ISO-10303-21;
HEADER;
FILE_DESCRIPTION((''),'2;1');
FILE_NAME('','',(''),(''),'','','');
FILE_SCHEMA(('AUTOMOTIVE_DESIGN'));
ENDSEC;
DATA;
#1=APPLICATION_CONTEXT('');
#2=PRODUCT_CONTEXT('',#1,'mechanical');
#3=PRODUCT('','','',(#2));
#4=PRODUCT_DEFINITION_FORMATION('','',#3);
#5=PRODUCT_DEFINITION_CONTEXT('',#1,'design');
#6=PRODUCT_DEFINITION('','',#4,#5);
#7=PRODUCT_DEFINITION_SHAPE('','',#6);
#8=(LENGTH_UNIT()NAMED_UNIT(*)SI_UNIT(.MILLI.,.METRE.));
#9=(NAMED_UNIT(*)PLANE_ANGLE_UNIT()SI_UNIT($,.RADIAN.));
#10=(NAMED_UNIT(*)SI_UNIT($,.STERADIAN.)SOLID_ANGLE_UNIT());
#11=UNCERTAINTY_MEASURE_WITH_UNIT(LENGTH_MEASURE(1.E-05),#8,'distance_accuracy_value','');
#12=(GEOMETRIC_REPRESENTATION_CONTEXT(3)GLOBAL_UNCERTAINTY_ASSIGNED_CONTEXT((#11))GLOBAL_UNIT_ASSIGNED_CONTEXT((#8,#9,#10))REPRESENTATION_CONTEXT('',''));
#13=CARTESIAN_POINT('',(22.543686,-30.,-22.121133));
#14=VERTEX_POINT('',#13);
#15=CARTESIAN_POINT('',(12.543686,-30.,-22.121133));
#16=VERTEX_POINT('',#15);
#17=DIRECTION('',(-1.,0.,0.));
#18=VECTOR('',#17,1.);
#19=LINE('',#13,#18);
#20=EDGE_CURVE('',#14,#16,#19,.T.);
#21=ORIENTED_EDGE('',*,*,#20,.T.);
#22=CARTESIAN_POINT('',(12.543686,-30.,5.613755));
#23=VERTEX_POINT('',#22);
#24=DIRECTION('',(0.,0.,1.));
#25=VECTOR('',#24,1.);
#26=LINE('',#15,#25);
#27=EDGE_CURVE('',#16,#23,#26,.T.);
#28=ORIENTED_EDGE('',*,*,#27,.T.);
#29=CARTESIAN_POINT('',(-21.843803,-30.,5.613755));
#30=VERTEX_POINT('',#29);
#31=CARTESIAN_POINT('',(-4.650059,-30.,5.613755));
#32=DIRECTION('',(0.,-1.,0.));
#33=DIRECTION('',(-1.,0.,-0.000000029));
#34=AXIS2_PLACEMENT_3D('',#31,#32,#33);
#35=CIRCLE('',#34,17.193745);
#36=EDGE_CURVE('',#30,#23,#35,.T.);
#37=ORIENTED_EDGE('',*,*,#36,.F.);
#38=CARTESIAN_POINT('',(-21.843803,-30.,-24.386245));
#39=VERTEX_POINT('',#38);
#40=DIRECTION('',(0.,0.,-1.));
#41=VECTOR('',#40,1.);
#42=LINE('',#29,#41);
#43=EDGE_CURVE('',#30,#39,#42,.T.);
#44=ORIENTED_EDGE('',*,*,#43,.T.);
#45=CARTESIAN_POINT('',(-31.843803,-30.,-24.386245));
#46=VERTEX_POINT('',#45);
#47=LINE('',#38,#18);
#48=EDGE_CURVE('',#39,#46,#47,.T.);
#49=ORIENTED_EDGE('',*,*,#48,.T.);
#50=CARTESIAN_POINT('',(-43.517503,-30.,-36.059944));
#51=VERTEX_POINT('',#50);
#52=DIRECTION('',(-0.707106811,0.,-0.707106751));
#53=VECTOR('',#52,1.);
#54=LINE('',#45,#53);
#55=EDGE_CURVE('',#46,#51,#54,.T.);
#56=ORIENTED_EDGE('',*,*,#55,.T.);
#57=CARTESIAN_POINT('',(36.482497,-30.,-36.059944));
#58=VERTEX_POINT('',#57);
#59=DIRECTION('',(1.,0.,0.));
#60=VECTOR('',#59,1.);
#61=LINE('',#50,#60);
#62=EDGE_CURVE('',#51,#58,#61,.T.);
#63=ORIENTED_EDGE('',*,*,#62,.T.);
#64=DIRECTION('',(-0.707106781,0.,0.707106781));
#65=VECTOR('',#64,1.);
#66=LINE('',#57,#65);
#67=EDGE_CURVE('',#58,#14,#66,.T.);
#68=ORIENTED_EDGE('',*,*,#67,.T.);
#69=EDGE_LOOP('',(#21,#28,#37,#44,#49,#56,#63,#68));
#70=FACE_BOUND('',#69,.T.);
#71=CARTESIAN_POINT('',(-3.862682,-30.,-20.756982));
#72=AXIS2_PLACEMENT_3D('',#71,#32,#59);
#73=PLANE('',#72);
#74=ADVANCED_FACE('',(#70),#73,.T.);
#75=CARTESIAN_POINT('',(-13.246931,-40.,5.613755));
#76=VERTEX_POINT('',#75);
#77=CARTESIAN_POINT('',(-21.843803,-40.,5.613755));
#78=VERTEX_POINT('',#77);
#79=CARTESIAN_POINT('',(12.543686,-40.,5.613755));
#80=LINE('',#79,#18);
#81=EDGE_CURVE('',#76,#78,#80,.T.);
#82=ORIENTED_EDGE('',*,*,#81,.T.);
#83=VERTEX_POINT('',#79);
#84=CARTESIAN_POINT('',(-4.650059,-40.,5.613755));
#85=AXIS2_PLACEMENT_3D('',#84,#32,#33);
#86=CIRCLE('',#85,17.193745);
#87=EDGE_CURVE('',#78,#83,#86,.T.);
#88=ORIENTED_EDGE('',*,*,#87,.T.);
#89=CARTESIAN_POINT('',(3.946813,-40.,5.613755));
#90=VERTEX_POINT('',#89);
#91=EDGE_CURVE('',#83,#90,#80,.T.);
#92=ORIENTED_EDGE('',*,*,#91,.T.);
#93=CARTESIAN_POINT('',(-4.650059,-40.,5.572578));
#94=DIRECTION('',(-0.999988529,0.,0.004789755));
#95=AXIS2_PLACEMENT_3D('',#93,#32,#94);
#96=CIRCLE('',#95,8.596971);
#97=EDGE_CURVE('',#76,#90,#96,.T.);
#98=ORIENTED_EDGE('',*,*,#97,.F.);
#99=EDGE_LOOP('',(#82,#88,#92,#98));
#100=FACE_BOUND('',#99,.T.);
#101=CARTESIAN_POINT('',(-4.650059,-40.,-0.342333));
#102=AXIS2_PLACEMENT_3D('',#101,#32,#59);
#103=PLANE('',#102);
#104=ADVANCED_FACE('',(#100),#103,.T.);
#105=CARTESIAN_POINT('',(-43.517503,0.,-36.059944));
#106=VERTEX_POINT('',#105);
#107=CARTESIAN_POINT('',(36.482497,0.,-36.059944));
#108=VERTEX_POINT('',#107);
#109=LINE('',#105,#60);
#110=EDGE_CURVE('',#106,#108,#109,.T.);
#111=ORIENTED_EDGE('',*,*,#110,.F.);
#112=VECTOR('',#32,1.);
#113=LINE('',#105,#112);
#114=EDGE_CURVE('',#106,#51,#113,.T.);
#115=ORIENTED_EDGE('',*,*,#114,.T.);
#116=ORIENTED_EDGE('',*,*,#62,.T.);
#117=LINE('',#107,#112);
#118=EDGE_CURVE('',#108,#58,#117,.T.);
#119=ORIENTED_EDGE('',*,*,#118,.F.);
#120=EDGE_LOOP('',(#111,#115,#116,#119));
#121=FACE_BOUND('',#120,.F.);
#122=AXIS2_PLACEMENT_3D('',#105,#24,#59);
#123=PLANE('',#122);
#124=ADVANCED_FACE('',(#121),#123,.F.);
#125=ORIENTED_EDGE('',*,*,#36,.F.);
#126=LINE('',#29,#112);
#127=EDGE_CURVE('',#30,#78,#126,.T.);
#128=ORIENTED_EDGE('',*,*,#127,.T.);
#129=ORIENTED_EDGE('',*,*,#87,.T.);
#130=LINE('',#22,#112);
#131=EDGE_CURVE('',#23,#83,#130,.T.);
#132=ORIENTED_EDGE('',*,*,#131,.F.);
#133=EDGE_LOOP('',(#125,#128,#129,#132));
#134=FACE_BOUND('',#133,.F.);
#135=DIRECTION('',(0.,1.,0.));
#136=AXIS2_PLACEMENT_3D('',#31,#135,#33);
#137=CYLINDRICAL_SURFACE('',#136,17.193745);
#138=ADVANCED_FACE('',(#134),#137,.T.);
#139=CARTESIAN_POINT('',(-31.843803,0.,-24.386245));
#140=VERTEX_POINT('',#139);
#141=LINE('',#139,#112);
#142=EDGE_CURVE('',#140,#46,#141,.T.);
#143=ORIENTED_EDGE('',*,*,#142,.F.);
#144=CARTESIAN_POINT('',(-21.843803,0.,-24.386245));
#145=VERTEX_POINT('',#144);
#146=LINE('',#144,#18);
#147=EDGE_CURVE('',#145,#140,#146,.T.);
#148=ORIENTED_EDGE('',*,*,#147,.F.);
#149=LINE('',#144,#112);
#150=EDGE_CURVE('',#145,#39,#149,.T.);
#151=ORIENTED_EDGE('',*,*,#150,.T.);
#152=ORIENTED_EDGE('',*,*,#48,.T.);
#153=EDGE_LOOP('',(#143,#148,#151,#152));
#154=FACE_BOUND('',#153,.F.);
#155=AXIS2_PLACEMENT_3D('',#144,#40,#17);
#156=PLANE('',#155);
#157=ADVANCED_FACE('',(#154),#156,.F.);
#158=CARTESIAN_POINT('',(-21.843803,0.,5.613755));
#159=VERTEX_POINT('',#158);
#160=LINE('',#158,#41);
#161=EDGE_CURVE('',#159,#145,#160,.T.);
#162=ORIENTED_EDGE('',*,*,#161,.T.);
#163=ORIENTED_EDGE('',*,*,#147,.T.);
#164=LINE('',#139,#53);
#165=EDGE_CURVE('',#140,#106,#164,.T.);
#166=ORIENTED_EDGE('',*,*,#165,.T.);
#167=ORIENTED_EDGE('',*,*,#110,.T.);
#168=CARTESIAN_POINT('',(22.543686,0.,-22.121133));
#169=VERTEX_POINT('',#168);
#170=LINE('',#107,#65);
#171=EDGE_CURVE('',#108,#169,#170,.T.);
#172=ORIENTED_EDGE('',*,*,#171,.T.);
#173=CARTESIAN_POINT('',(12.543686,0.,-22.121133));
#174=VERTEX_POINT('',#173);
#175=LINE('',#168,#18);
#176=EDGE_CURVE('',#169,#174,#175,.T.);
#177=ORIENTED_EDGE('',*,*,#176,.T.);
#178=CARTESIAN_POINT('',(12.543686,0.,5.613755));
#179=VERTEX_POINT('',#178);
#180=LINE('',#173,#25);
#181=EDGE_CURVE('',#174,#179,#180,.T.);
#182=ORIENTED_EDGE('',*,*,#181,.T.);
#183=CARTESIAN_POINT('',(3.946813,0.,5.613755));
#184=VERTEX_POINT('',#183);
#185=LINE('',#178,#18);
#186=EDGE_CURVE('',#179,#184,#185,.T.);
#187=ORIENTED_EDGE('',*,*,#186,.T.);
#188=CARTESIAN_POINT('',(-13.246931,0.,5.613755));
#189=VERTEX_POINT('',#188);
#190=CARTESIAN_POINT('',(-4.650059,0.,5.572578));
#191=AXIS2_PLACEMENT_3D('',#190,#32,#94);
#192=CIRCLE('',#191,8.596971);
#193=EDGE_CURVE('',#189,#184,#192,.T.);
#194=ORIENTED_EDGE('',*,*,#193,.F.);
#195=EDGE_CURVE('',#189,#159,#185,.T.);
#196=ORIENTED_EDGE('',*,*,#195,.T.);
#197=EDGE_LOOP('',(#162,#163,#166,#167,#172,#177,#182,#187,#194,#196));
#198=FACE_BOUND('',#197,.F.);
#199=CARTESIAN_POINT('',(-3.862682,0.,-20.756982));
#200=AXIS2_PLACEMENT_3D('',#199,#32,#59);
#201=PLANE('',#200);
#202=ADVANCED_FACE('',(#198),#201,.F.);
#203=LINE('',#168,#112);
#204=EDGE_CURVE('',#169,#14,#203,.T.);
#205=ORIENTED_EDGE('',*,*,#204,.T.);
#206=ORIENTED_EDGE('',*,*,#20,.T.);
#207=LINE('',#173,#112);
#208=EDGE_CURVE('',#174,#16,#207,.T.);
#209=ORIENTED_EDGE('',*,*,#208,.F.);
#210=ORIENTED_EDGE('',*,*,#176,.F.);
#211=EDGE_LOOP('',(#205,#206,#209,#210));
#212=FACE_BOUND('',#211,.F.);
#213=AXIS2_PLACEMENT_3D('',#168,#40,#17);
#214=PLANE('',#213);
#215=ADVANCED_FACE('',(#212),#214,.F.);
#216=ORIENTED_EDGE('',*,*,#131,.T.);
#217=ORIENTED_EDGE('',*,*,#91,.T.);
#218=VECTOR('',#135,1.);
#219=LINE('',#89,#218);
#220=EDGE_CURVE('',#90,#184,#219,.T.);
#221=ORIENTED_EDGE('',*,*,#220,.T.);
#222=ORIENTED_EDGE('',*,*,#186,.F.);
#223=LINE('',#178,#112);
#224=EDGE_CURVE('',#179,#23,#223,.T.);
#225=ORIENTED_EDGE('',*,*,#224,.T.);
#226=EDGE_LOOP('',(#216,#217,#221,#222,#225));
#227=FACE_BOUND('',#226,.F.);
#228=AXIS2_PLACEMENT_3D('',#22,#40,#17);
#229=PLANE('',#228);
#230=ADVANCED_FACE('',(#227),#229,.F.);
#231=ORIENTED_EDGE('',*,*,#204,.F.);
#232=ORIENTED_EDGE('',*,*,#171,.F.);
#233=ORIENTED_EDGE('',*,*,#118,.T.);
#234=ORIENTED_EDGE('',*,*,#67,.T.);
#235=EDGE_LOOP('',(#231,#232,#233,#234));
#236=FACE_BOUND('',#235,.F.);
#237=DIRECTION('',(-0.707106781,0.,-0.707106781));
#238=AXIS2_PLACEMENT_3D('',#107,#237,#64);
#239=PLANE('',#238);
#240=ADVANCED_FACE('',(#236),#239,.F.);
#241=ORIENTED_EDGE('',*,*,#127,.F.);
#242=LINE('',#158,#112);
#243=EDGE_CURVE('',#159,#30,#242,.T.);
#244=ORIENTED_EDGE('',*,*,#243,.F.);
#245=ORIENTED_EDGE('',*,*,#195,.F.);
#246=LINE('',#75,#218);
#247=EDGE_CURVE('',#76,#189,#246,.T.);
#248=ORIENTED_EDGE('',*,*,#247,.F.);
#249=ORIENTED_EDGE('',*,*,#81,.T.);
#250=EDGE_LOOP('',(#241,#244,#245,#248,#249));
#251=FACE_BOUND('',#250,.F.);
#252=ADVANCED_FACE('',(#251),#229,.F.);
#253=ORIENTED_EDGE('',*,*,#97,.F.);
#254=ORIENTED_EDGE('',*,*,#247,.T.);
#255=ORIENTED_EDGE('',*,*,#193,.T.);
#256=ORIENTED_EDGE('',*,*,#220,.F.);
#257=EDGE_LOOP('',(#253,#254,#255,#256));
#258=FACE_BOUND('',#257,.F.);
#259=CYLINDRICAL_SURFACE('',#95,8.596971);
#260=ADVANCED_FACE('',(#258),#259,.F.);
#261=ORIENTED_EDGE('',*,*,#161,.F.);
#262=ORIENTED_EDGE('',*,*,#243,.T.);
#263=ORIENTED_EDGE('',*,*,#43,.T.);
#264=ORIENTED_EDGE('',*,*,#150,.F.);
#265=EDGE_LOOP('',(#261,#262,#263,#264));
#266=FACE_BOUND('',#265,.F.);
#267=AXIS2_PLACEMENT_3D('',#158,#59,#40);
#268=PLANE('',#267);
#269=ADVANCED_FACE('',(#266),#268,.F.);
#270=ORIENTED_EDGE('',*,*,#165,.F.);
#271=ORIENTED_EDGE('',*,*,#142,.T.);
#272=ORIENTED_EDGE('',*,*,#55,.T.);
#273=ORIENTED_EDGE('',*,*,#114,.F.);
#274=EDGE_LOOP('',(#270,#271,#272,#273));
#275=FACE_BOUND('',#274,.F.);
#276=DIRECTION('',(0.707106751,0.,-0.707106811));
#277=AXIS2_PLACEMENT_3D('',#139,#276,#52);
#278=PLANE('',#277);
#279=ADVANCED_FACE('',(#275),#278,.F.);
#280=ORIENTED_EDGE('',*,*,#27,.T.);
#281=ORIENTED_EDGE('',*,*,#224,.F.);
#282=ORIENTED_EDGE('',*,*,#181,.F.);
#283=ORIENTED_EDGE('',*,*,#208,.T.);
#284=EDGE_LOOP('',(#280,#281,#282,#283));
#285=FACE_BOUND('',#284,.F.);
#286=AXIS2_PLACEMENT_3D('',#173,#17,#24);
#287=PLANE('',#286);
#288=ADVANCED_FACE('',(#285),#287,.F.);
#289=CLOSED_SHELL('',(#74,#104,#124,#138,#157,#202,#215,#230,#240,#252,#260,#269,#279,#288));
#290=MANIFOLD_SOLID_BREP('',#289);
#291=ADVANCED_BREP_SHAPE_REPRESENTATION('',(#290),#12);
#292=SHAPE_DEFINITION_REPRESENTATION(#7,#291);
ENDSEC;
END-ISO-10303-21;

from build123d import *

# Parameters (mm, degrees)
F1_DEPTH = 30
F3_DEPTH = 10
F5_DEPTH = 40


with BuildPart() as f1:
    # F0 (on Front) → F1 (new body)
    with BuildSketch(Plane.XZ):
        Polygon((-31.843803, -24.386245), (-43.517503, -36.059944), (36.482497, -36.059944), (22.543686, -22.121133), (12.543686, -22.121133), (12.543686, 5.613755), (-21.843803, 5.613755), (-21.843803, -24.386245), align=None)
    extrude(amount=F1_DEPTH)

    # F2 (on face) → F3 (join)
    with BuildSketch(Plane.XZ.offset(30)):
        with BuildLine():
            Line((12.543686, 5.613755), (-21.843803, 5.613755))
            ThreePointArc((-21.843803, 5.613755), (-4.650059, -11.579989), (12.543686, 5.613755))
        make_face()
    extrude(amount=F3_DEPTH)

    # F4 (on face) → F5 (cut)
    with BuildSketch(Plane.XZ.offset(40)):
        with BuildLine():
            Line((-4.650059, 5.613755), (-13.246931, 5.613755))
            ThreePointArc((-13.246931, 5.613755), (-4.650059, -3.024393), (3.946813, 5.613755))
            Line((3.946813, 5.613755), (-4.650059, 5.613755))
        make_face()
    extrude(amount=-F5_DEPTH, mode=Mode.SUBTRACT)


solid = f1.part
